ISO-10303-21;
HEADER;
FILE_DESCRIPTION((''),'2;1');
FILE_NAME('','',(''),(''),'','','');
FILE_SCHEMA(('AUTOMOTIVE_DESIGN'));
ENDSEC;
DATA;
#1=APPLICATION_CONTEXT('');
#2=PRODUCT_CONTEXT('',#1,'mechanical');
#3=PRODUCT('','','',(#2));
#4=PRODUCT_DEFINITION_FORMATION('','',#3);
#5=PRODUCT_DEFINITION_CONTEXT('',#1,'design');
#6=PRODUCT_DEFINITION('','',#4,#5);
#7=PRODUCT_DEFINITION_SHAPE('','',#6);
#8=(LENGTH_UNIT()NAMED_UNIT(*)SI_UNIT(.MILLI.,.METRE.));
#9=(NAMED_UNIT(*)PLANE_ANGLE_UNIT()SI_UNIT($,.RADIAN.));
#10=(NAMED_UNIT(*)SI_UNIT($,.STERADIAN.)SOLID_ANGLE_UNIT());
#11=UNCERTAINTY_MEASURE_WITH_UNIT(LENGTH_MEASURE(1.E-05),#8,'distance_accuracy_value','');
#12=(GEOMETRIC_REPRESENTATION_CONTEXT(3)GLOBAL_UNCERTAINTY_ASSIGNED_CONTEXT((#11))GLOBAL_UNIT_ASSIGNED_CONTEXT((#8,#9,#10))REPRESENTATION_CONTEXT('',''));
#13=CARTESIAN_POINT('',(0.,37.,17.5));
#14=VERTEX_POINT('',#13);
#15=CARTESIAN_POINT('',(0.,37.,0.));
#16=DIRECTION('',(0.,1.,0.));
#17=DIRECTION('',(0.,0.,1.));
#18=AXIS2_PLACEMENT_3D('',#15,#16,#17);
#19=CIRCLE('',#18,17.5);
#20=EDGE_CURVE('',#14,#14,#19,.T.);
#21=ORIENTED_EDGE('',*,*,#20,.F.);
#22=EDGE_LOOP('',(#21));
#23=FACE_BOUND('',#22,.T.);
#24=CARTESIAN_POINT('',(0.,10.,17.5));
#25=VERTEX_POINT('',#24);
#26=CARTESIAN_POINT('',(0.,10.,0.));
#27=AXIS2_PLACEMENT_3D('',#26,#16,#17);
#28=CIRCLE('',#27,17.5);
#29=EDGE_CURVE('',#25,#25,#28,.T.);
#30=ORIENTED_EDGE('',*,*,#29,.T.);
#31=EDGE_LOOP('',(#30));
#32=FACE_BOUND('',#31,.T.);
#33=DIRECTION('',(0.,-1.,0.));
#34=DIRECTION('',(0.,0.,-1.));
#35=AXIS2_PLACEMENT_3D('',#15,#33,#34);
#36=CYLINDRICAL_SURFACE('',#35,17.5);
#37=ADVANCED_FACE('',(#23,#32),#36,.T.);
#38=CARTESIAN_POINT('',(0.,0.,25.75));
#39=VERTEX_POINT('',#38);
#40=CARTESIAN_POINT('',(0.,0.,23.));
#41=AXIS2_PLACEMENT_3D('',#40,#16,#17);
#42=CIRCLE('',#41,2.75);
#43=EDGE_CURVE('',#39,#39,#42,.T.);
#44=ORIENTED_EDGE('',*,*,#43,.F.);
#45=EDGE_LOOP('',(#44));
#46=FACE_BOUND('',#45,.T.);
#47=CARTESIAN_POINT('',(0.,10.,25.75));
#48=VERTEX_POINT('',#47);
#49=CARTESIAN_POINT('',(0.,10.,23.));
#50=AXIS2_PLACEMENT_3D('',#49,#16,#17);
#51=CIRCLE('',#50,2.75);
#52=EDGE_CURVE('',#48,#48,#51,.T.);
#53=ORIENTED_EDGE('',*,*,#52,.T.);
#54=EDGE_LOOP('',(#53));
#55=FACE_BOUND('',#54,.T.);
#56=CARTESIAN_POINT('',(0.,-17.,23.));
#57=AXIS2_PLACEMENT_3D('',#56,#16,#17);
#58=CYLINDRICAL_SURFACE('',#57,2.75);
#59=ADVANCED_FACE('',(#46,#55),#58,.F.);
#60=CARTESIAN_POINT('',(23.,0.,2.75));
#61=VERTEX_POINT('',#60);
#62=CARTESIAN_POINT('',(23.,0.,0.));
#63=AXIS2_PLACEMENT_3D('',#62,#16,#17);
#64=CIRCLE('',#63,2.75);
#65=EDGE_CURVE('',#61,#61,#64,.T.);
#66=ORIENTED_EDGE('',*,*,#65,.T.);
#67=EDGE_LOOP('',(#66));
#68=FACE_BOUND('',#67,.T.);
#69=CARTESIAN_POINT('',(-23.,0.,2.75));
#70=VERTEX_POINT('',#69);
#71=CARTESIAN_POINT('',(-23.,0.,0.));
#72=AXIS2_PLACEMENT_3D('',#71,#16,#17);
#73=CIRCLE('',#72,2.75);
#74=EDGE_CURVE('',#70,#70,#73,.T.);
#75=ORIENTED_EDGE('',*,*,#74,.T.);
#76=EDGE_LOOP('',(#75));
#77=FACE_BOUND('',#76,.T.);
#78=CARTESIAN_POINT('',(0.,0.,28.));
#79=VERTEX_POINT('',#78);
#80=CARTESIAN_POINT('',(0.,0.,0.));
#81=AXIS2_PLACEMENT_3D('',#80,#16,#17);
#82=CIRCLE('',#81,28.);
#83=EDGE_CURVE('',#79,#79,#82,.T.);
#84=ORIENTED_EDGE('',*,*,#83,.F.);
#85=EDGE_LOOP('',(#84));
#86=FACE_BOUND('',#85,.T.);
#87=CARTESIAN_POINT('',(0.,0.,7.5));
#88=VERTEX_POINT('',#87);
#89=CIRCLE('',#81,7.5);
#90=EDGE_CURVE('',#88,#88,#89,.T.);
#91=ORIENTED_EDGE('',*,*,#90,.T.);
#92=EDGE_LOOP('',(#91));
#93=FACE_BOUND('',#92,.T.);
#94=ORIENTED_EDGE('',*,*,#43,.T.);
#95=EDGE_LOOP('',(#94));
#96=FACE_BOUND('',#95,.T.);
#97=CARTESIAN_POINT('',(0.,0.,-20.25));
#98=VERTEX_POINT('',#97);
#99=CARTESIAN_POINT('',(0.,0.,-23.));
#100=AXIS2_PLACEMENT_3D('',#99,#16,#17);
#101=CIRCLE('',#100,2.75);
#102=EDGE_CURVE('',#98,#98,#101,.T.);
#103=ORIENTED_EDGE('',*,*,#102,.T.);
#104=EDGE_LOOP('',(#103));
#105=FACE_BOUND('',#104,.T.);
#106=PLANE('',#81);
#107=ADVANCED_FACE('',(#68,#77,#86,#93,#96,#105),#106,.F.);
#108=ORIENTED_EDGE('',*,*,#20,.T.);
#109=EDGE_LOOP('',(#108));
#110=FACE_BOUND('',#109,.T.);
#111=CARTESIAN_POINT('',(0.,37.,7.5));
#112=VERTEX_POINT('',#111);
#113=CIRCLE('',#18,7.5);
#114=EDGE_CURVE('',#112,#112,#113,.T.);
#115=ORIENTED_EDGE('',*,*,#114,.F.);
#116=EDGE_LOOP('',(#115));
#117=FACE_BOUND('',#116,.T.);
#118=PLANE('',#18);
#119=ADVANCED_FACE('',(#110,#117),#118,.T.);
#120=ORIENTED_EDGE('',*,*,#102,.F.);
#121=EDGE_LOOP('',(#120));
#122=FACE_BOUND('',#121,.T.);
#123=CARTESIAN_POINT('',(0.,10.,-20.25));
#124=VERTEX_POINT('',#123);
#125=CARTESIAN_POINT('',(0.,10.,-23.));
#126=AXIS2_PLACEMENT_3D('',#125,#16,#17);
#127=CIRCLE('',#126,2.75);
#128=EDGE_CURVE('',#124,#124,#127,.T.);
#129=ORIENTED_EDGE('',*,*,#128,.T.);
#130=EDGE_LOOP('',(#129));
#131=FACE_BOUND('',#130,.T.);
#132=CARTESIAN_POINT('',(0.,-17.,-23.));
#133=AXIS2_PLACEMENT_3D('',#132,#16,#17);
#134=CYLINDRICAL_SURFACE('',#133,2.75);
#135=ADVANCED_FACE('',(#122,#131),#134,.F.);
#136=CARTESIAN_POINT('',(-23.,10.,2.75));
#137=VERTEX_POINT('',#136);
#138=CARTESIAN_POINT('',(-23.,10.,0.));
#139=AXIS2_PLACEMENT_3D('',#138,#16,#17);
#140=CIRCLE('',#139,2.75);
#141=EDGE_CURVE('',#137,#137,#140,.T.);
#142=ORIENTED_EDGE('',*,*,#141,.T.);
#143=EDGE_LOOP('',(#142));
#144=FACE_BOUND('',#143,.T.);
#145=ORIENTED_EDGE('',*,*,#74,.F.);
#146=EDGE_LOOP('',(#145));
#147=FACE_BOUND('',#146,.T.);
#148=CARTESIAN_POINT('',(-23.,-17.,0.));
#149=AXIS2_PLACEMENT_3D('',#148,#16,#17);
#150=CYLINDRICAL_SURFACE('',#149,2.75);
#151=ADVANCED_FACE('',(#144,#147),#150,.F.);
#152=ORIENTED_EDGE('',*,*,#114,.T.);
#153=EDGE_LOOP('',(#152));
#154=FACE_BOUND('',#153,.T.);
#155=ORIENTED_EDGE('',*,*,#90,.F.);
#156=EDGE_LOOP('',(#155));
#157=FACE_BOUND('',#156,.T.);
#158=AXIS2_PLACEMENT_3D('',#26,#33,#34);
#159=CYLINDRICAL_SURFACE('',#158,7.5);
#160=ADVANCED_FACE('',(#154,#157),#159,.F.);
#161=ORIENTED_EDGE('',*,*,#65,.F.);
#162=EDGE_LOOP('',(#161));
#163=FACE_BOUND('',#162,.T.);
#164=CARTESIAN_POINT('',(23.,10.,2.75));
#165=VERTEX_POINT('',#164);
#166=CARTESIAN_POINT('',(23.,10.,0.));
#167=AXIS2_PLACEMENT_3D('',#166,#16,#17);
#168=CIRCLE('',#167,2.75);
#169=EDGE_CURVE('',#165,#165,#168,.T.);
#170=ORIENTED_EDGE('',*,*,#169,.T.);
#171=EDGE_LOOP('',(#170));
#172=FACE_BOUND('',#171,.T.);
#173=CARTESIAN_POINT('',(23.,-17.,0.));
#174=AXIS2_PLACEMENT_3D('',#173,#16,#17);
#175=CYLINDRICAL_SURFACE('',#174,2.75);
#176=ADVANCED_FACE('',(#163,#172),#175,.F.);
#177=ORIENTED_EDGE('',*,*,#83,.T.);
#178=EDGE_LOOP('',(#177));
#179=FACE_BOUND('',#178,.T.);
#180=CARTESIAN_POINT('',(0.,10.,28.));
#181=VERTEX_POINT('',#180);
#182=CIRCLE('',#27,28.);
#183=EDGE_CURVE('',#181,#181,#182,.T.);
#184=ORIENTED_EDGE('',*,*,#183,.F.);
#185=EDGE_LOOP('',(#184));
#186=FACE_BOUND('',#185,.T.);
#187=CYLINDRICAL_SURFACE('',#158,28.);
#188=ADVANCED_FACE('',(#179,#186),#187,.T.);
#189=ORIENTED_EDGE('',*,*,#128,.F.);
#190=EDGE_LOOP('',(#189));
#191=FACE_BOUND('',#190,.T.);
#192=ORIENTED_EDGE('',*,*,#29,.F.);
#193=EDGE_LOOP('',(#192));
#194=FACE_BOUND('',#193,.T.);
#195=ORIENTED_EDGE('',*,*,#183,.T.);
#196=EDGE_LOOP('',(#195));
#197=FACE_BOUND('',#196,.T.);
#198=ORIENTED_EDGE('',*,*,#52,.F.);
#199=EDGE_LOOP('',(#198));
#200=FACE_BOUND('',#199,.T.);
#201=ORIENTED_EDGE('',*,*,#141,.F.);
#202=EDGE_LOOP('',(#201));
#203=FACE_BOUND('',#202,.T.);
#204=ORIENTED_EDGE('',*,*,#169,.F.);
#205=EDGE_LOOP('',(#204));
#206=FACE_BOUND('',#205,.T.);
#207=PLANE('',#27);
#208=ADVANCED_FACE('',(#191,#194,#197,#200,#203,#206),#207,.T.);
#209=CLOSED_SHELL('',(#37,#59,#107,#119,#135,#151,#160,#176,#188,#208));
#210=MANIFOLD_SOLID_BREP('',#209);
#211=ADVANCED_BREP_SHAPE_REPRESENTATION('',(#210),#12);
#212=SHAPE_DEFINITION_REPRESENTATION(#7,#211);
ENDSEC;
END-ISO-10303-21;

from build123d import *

# Parameters (mm, degrees)
SKETCH_1_R          = 28
SKETCH_1_R_2        = 7.5
EXTRUDE_1_DEPTH     = 10
SKETCH_2_R          = 17.5
SKETCH_2_R_2        = 7.5
EXTRUDE_2_DEPTH     = 27
SKETCH_3_R          = 2.75
CUT_EXTRUDE_1_DEPTH = 27


with BuildPart() as part:
    # 草图1 → 凸台-拉伸1 (new body)
    with BuildSketch(Plane(origin=(0, 0, 0), x_dir=(1, 0, 0), z_dir=(0, 1, 0))):
        Circle(SKETCH_1_R)
        Circle(SKETCH_1_R_2, mode=Mode.SUBTRACT)
    extrude(amount=EXTRUDE_1_DEPTH)

    # 草图2 → 凸台-拉伸2 (add)
    with BuildSketch(Plane(origin=(0, 10, 0), x_dir=(1, 0, 0), z_dir=(0, 1, 0))):
        Circle(SKETCH_2_R)
        Circle(SKETCH_2_R_2, mode=Mode.SUBTRACT)
    extrude(amount=EXTRUDE_2_DEPTH)

    # 草图3 → 切除-拉伸1 (cut)
    with BuildSketch(Plane(origin=(0, 10, 0), x_dir=(1, 0, 0), z_dir=(0, 1, 0))):
        with Locations((0, 23)):
            Circle(SKETCH_3_R)
        with Locations((23, 0)):
            Circle(SKETCH_3_R)
        with Locations((0, -23)):
            Circle(SKETCH_3_R)
        with Locations((-23, 0)):
            Circle(SKETCH_3_R)
    extrude(amount=-CUT_EXTRUDE_1_DEPTH, mode=Mode.SUBTRACT)


solid = part.part
